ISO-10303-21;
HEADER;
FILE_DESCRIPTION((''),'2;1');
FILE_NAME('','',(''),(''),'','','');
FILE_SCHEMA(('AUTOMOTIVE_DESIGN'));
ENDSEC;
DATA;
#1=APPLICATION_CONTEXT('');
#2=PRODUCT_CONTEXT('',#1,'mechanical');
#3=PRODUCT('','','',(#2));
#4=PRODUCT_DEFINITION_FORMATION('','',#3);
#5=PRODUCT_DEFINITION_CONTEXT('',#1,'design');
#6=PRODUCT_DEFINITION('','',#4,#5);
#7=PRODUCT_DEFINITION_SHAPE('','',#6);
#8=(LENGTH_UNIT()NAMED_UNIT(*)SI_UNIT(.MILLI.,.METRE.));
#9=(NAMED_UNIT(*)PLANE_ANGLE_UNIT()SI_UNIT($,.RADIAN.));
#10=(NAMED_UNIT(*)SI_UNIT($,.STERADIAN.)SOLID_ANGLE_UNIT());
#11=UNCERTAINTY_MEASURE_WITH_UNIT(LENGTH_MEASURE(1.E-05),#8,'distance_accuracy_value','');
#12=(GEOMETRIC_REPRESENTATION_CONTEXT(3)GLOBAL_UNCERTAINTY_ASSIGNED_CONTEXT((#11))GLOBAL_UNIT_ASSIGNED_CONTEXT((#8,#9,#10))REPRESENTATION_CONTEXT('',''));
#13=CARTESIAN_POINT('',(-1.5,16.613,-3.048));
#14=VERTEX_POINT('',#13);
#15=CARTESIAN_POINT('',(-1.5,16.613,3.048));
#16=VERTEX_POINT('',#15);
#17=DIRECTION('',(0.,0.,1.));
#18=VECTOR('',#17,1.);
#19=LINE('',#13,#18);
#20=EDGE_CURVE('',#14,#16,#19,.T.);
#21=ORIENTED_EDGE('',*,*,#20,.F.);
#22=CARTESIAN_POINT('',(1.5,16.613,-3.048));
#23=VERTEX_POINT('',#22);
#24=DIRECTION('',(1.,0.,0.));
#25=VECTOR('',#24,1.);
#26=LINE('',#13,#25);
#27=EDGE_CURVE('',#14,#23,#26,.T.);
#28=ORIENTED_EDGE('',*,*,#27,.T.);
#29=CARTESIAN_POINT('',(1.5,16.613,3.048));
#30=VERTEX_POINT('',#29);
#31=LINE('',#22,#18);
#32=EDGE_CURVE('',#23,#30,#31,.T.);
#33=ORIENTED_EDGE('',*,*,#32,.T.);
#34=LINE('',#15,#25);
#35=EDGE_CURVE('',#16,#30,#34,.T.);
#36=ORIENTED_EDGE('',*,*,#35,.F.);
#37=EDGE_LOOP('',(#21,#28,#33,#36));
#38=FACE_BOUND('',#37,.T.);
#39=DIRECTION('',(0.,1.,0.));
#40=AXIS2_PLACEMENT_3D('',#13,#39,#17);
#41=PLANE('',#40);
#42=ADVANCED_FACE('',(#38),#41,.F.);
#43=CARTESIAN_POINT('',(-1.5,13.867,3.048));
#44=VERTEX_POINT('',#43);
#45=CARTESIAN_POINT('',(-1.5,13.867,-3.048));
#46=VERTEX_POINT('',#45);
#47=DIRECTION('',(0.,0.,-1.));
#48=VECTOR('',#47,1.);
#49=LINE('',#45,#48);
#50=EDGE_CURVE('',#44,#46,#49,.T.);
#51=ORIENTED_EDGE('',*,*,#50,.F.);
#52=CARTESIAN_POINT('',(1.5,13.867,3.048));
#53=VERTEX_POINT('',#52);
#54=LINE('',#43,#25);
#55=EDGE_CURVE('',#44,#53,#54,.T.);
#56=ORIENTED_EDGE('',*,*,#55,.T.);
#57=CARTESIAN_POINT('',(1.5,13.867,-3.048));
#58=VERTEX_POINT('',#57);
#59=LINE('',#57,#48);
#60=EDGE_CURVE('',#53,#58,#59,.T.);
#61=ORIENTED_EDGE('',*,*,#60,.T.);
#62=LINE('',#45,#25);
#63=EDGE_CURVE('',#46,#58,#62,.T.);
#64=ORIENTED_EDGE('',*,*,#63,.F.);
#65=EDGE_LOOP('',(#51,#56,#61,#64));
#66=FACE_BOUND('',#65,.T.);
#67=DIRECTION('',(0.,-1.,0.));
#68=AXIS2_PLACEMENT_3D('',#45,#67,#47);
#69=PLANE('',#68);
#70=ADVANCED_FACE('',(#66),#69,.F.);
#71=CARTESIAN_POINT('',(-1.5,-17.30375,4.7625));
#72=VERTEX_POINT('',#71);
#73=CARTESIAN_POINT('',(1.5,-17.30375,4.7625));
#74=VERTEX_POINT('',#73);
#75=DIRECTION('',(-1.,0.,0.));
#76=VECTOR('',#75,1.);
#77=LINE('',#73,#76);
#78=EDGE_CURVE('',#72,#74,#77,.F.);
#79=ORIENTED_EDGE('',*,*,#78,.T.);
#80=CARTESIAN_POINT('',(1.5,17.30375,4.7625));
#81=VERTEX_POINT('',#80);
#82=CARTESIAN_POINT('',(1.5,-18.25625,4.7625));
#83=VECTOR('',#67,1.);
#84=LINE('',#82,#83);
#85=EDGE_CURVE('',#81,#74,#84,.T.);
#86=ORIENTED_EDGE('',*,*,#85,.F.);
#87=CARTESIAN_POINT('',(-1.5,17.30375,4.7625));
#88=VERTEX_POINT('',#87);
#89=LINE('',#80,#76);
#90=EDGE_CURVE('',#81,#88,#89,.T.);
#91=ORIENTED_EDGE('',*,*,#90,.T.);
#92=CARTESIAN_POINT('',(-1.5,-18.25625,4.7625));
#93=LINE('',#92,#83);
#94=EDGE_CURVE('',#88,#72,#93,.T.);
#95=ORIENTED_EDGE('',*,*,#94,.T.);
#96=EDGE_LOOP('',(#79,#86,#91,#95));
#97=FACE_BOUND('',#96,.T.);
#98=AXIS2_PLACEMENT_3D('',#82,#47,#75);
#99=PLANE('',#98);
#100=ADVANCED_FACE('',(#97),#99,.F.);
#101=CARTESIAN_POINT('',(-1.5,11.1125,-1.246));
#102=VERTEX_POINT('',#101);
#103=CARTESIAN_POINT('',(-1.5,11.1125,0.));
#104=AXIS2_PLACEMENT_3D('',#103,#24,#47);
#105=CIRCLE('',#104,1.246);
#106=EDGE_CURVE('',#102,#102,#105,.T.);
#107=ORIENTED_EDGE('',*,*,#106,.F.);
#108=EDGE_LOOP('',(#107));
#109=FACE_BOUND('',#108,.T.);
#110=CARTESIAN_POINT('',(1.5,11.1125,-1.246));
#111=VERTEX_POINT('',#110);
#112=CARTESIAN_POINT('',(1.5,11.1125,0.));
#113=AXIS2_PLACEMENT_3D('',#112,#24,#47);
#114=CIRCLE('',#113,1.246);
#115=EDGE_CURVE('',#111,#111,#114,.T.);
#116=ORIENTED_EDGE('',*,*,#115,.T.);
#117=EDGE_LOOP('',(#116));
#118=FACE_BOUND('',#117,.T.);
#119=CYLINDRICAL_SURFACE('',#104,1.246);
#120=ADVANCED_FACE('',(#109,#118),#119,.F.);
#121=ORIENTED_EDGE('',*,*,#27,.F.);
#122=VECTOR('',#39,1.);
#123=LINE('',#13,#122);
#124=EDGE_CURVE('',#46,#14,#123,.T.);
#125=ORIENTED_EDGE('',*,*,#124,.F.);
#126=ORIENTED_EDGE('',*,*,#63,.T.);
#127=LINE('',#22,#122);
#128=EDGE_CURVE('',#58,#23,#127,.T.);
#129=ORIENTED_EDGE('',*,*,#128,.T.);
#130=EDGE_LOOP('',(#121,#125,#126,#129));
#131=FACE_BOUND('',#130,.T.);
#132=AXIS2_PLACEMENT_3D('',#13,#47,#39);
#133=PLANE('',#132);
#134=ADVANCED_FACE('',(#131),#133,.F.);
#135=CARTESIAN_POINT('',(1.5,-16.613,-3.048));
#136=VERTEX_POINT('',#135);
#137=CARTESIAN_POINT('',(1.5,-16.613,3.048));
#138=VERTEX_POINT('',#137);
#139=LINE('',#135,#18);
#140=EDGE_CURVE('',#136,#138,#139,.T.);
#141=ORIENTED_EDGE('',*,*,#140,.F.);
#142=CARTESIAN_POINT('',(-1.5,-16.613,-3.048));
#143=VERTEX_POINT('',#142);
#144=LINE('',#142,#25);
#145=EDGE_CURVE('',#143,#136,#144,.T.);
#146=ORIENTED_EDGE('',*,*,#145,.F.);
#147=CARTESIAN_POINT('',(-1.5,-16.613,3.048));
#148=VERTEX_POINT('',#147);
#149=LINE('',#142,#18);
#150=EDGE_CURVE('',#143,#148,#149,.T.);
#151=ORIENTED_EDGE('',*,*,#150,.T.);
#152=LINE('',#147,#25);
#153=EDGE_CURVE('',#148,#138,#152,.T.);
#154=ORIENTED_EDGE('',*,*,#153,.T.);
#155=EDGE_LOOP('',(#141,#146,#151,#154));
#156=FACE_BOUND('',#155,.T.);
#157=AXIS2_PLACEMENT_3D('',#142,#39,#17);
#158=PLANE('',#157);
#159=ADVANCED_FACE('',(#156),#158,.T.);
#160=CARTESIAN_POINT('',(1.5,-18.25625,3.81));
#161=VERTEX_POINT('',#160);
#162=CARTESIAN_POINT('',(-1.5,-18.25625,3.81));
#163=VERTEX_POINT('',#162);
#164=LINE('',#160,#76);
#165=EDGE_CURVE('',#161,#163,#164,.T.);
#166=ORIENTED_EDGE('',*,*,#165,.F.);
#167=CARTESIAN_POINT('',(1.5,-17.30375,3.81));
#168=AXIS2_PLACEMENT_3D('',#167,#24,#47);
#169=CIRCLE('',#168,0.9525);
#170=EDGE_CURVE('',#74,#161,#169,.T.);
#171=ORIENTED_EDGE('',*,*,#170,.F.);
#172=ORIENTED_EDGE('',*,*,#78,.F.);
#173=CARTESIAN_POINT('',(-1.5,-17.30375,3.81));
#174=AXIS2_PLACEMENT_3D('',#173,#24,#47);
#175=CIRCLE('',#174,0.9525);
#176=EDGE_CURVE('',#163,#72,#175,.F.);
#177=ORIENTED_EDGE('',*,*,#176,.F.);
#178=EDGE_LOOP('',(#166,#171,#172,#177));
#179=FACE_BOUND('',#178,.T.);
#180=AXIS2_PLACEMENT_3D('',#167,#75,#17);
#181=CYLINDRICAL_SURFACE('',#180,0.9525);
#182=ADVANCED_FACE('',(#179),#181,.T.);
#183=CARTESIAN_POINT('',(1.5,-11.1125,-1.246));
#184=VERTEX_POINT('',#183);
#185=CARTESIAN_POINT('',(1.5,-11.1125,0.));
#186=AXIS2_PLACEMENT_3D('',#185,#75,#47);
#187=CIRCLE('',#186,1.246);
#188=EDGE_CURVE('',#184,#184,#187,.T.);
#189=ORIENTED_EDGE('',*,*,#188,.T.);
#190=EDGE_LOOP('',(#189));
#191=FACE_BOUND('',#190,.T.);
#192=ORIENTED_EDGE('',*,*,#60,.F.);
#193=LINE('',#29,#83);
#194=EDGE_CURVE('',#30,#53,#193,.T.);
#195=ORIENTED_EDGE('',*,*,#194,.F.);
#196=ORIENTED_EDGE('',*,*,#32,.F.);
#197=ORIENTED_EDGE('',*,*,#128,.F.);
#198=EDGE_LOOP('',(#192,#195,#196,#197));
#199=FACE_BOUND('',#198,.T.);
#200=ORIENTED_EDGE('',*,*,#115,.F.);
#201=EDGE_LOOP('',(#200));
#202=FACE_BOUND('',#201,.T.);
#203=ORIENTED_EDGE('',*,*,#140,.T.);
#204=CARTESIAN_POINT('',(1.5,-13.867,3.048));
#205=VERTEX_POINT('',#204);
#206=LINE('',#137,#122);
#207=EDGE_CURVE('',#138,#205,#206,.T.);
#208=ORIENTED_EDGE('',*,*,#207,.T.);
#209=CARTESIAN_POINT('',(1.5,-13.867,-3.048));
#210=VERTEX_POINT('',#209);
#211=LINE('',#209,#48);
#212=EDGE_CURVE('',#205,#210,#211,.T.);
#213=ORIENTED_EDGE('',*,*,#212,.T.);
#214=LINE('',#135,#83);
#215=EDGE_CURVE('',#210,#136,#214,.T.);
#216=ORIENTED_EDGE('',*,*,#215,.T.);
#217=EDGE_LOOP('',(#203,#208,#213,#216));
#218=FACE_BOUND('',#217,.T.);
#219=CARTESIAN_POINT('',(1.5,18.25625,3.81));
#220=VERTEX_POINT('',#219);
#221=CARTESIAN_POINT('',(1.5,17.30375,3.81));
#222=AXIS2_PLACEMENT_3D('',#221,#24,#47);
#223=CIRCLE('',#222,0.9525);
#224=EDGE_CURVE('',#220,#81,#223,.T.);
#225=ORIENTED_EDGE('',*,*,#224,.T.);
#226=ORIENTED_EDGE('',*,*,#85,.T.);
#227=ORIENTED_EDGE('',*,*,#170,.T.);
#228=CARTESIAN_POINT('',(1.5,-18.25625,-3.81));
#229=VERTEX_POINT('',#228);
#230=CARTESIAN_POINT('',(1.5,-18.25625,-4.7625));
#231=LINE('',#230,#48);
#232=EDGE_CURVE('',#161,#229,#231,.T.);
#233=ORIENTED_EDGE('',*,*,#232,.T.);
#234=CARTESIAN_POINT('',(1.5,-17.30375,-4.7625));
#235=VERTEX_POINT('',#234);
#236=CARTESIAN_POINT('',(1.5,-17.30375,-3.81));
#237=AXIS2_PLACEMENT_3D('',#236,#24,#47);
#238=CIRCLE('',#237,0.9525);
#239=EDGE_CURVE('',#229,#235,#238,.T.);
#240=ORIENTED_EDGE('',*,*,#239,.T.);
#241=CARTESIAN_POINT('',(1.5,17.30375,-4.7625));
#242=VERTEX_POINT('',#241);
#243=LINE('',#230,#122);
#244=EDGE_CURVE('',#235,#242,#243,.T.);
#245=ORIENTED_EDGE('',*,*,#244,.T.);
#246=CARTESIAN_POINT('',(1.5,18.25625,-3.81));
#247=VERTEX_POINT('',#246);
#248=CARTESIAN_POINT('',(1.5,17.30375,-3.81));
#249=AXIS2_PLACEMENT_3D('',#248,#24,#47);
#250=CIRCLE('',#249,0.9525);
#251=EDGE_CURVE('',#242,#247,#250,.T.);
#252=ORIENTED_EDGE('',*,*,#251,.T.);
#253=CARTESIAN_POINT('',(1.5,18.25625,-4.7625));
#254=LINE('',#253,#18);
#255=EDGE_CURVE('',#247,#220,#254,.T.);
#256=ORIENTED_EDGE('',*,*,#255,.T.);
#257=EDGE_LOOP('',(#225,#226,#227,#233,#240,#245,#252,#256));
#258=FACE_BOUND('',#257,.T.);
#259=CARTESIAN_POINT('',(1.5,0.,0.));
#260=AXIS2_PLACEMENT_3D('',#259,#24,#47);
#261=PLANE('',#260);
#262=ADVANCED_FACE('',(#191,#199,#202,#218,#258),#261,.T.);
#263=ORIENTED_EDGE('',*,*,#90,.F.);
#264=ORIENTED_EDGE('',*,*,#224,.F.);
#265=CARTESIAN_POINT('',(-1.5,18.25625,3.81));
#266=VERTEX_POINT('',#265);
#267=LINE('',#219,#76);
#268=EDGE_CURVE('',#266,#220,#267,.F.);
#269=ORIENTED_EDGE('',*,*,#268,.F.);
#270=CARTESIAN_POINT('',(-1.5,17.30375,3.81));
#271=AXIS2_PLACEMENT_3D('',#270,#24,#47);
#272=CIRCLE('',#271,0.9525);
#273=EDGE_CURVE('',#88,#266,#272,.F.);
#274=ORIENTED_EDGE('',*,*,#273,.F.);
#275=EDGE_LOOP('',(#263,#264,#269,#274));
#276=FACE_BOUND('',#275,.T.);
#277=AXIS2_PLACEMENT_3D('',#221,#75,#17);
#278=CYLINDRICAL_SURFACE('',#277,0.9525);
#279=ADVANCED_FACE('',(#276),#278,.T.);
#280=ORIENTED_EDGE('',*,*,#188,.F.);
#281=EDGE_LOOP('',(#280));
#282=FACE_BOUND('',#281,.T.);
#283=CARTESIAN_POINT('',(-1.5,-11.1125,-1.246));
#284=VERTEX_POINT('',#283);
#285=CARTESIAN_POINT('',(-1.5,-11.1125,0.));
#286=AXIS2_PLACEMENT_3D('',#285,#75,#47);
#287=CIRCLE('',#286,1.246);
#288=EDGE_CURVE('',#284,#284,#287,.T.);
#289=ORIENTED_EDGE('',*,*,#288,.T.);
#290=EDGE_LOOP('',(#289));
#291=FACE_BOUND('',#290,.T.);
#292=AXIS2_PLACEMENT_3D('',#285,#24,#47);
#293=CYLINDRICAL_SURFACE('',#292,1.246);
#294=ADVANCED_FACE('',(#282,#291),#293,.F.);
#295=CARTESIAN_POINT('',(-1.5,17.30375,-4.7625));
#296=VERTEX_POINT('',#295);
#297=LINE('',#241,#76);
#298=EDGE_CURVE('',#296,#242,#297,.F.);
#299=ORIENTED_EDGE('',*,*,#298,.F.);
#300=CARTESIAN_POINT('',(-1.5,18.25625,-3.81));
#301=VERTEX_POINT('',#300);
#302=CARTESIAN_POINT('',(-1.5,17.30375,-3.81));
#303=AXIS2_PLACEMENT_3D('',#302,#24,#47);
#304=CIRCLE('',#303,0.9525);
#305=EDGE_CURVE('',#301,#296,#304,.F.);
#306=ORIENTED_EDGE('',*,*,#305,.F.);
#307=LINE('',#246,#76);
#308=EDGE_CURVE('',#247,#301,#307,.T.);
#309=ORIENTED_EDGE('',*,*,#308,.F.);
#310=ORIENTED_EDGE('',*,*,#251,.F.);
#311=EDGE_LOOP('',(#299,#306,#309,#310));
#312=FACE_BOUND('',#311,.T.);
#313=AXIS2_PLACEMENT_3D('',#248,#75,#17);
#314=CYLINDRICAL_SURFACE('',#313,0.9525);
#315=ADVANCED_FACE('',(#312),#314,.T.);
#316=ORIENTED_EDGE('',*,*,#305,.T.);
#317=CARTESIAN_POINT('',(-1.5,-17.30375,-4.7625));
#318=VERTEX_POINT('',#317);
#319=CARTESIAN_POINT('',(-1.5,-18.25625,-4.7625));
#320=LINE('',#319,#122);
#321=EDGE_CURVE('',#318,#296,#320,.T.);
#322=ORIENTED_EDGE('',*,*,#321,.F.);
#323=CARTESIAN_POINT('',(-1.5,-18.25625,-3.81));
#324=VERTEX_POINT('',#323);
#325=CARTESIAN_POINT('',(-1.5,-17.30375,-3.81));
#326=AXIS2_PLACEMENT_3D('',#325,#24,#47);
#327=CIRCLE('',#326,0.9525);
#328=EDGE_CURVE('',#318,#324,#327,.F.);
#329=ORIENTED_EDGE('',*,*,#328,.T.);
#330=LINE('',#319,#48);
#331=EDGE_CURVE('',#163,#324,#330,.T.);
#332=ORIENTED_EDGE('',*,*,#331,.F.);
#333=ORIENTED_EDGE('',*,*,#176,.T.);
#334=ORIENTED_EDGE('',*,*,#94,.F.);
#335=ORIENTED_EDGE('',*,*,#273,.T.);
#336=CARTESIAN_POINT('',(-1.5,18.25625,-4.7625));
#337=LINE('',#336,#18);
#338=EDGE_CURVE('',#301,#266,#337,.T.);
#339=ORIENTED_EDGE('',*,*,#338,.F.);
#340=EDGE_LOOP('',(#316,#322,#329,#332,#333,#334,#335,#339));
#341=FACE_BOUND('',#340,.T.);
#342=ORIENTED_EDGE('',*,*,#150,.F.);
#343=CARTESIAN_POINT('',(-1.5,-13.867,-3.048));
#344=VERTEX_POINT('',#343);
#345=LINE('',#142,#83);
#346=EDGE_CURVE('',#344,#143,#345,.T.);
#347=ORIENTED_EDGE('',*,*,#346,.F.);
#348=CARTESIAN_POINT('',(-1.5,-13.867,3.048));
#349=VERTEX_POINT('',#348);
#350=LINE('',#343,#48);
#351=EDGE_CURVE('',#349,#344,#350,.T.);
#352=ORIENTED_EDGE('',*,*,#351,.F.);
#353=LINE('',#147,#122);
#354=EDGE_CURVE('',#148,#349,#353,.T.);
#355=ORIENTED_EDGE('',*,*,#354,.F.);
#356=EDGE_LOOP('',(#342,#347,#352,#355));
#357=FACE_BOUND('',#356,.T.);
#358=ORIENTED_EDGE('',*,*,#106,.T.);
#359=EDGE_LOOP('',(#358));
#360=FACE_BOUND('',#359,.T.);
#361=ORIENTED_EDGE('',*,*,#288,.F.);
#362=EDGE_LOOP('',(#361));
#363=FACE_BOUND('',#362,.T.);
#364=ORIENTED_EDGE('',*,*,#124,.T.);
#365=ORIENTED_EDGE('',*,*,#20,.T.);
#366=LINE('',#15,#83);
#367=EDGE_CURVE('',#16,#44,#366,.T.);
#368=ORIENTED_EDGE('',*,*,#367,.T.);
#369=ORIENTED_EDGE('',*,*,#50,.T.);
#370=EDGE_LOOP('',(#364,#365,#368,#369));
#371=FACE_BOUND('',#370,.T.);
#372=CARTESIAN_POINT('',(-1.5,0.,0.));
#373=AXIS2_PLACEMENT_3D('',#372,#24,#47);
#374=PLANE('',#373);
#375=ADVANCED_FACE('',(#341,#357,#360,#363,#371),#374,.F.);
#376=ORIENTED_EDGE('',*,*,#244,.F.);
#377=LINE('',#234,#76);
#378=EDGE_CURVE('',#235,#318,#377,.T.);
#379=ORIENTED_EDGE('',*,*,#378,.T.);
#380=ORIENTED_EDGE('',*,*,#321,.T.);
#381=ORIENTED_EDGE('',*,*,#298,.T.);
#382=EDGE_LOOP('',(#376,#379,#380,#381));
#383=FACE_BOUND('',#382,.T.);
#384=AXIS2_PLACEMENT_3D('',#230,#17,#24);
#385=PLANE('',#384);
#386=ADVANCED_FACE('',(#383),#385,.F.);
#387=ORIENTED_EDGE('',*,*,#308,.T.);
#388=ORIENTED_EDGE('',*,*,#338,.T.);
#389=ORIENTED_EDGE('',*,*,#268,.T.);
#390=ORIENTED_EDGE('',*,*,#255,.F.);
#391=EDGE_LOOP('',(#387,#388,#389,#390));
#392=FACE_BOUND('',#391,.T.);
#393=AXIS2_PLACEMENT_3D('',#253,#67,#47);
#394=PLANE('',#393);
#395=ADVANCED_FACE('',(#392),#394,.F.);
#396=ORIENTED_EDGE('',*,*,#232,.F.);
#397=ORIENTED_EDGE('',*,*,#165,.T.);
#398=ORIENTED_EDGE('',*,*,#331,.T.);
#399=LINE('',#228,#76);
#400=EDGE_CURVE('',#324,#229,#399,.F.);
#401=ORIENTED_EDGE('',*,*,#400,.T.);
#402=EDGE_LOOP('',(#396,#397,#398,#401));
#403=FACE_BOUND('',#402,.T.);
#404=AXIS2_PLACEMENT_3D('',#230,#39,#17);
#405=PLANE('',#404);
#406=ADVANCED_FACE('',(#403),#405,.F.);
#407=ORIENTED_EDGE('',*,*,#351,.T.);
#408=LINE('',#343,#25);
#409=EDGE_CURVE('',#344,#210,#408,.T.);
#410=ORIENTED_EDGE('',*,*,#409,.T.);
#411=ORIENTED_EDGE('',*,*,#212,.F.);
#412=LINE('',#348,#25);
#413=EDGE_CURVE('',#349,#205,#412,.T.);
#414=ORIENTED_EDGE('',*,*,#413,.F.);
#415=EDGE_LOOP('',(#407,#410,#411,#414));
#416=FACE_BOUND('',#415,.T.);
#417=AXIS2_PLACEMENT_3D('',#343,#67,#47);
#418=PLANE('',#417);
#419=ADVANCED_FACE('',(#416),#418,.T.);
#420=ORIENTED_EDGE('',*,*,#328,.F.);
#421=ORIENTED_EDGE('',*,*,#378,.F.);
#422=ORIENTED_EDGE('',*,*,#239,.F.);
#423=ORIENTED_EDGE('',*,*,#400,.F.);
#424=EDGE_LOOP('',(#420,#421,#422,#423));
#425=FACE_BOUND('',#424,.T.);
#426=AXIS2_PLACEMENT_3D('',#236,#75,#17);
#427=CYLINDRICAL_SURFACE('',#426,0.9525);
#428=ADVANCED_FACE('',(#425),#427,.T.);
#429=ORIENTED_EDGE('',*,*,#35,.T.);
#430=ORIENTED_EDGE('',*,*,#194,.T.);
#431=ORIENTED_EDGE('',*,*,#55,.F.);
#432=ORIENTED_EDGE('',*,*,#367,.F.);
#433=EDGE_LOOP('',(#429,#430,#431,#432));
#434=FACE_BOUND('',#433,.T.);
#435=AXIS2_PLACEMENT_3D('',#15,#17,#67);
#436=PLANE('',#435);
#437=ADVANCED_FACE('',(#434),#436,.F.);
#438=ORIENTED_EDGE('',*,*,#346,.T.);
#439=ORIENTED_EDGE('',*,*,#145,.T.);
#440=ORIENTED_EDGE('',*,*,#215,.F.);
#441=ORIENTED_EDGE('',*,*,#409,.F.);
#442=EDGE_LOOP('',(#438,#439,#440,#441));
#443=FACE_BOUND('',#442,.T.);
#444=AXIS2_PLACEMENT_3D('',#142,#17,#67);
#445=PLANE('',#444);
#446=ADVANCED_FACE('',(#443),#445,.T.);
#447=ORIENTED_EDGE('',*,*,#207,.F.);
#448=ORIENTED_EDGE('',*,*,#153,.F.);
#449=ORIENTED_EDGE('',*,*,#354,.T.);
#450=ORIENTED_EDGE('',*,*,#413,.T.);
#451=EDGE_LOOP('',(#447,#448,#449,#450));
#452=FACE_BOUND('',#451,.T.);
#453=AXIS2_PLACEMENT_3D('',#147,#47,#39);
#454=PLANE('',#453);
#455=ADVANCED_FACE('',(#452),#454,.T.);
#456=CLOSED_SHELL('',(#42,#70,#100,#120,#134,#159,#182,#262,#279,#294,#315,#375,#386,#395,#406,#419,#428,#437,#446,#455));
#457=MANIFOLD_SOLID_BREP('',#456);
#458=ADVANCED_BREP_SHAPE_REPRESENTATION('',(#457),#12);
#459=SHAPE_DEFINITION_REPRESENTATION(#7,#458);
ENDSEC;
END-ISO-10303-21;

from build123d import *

# Parameters (mm, degrees)
SKETCH1_W           = 9.525
SKETCH1_H           = 36.5125
BOSS_EXTRUDE1_DEPTH = 1.5
FILLET1_R           = 0.9525
SKETCH2_R           = 1.246
SKETCH2_W           = 6.096
SKETCH2_H           = 2.746
CUT_EXTRUDE1_DEPTH  = 20.104242207


with BuildPart() as part:
    # Sketch1 → Boss-Extrude1 (new, symmetric)
    with BuildSketch(Plane(origin=(0, 0, 0), x_dir=(0, 0, -1), z_dir=(1, 0, 0))):
        Rectangle(SKETCH1_W, SKETCH1_H)
    extrude(amount=BOSS_EXTRUDE1_DEPTH, both=True)

    # Fillet1
    fillet1_edges = [part.edges().sort_by_distance(p)[0] for p in [
        (0, 18.25625, 4.7625),
        (0, 18.25625, -4.7625),
        (0, -18.25625, -4.7625),
        (0, -18.25625, 4.7625),
    ]]
    fillet(fillet1_edges, radius=FILLET1_R)

    # Sketch2 → Cut-Extrude1 (cut, through all)
    with BuildSketch(Plane(origin=(1.5, 0, 0), x_dir=(0, 0, -1), z_dir=(1, 0, 0))):
        with Locations((0, 11.1125)):
            Circle(SKETCH2_R)
        with Locations((0, 15.24)):
            Rectangle(SKETCH2_W, SKETCH2_H)
    cut_extrude1 = extrude(amount=-CUT_EXTRUDE1_DEPTH, mode=Mode.SUBTRACT)

    # Mirror1: Cut-Extrude1 across plane
    add(cut_extrude1.mirror(Plane.ZX), mode=Mode.SUBTRACT)


solid = part.part
